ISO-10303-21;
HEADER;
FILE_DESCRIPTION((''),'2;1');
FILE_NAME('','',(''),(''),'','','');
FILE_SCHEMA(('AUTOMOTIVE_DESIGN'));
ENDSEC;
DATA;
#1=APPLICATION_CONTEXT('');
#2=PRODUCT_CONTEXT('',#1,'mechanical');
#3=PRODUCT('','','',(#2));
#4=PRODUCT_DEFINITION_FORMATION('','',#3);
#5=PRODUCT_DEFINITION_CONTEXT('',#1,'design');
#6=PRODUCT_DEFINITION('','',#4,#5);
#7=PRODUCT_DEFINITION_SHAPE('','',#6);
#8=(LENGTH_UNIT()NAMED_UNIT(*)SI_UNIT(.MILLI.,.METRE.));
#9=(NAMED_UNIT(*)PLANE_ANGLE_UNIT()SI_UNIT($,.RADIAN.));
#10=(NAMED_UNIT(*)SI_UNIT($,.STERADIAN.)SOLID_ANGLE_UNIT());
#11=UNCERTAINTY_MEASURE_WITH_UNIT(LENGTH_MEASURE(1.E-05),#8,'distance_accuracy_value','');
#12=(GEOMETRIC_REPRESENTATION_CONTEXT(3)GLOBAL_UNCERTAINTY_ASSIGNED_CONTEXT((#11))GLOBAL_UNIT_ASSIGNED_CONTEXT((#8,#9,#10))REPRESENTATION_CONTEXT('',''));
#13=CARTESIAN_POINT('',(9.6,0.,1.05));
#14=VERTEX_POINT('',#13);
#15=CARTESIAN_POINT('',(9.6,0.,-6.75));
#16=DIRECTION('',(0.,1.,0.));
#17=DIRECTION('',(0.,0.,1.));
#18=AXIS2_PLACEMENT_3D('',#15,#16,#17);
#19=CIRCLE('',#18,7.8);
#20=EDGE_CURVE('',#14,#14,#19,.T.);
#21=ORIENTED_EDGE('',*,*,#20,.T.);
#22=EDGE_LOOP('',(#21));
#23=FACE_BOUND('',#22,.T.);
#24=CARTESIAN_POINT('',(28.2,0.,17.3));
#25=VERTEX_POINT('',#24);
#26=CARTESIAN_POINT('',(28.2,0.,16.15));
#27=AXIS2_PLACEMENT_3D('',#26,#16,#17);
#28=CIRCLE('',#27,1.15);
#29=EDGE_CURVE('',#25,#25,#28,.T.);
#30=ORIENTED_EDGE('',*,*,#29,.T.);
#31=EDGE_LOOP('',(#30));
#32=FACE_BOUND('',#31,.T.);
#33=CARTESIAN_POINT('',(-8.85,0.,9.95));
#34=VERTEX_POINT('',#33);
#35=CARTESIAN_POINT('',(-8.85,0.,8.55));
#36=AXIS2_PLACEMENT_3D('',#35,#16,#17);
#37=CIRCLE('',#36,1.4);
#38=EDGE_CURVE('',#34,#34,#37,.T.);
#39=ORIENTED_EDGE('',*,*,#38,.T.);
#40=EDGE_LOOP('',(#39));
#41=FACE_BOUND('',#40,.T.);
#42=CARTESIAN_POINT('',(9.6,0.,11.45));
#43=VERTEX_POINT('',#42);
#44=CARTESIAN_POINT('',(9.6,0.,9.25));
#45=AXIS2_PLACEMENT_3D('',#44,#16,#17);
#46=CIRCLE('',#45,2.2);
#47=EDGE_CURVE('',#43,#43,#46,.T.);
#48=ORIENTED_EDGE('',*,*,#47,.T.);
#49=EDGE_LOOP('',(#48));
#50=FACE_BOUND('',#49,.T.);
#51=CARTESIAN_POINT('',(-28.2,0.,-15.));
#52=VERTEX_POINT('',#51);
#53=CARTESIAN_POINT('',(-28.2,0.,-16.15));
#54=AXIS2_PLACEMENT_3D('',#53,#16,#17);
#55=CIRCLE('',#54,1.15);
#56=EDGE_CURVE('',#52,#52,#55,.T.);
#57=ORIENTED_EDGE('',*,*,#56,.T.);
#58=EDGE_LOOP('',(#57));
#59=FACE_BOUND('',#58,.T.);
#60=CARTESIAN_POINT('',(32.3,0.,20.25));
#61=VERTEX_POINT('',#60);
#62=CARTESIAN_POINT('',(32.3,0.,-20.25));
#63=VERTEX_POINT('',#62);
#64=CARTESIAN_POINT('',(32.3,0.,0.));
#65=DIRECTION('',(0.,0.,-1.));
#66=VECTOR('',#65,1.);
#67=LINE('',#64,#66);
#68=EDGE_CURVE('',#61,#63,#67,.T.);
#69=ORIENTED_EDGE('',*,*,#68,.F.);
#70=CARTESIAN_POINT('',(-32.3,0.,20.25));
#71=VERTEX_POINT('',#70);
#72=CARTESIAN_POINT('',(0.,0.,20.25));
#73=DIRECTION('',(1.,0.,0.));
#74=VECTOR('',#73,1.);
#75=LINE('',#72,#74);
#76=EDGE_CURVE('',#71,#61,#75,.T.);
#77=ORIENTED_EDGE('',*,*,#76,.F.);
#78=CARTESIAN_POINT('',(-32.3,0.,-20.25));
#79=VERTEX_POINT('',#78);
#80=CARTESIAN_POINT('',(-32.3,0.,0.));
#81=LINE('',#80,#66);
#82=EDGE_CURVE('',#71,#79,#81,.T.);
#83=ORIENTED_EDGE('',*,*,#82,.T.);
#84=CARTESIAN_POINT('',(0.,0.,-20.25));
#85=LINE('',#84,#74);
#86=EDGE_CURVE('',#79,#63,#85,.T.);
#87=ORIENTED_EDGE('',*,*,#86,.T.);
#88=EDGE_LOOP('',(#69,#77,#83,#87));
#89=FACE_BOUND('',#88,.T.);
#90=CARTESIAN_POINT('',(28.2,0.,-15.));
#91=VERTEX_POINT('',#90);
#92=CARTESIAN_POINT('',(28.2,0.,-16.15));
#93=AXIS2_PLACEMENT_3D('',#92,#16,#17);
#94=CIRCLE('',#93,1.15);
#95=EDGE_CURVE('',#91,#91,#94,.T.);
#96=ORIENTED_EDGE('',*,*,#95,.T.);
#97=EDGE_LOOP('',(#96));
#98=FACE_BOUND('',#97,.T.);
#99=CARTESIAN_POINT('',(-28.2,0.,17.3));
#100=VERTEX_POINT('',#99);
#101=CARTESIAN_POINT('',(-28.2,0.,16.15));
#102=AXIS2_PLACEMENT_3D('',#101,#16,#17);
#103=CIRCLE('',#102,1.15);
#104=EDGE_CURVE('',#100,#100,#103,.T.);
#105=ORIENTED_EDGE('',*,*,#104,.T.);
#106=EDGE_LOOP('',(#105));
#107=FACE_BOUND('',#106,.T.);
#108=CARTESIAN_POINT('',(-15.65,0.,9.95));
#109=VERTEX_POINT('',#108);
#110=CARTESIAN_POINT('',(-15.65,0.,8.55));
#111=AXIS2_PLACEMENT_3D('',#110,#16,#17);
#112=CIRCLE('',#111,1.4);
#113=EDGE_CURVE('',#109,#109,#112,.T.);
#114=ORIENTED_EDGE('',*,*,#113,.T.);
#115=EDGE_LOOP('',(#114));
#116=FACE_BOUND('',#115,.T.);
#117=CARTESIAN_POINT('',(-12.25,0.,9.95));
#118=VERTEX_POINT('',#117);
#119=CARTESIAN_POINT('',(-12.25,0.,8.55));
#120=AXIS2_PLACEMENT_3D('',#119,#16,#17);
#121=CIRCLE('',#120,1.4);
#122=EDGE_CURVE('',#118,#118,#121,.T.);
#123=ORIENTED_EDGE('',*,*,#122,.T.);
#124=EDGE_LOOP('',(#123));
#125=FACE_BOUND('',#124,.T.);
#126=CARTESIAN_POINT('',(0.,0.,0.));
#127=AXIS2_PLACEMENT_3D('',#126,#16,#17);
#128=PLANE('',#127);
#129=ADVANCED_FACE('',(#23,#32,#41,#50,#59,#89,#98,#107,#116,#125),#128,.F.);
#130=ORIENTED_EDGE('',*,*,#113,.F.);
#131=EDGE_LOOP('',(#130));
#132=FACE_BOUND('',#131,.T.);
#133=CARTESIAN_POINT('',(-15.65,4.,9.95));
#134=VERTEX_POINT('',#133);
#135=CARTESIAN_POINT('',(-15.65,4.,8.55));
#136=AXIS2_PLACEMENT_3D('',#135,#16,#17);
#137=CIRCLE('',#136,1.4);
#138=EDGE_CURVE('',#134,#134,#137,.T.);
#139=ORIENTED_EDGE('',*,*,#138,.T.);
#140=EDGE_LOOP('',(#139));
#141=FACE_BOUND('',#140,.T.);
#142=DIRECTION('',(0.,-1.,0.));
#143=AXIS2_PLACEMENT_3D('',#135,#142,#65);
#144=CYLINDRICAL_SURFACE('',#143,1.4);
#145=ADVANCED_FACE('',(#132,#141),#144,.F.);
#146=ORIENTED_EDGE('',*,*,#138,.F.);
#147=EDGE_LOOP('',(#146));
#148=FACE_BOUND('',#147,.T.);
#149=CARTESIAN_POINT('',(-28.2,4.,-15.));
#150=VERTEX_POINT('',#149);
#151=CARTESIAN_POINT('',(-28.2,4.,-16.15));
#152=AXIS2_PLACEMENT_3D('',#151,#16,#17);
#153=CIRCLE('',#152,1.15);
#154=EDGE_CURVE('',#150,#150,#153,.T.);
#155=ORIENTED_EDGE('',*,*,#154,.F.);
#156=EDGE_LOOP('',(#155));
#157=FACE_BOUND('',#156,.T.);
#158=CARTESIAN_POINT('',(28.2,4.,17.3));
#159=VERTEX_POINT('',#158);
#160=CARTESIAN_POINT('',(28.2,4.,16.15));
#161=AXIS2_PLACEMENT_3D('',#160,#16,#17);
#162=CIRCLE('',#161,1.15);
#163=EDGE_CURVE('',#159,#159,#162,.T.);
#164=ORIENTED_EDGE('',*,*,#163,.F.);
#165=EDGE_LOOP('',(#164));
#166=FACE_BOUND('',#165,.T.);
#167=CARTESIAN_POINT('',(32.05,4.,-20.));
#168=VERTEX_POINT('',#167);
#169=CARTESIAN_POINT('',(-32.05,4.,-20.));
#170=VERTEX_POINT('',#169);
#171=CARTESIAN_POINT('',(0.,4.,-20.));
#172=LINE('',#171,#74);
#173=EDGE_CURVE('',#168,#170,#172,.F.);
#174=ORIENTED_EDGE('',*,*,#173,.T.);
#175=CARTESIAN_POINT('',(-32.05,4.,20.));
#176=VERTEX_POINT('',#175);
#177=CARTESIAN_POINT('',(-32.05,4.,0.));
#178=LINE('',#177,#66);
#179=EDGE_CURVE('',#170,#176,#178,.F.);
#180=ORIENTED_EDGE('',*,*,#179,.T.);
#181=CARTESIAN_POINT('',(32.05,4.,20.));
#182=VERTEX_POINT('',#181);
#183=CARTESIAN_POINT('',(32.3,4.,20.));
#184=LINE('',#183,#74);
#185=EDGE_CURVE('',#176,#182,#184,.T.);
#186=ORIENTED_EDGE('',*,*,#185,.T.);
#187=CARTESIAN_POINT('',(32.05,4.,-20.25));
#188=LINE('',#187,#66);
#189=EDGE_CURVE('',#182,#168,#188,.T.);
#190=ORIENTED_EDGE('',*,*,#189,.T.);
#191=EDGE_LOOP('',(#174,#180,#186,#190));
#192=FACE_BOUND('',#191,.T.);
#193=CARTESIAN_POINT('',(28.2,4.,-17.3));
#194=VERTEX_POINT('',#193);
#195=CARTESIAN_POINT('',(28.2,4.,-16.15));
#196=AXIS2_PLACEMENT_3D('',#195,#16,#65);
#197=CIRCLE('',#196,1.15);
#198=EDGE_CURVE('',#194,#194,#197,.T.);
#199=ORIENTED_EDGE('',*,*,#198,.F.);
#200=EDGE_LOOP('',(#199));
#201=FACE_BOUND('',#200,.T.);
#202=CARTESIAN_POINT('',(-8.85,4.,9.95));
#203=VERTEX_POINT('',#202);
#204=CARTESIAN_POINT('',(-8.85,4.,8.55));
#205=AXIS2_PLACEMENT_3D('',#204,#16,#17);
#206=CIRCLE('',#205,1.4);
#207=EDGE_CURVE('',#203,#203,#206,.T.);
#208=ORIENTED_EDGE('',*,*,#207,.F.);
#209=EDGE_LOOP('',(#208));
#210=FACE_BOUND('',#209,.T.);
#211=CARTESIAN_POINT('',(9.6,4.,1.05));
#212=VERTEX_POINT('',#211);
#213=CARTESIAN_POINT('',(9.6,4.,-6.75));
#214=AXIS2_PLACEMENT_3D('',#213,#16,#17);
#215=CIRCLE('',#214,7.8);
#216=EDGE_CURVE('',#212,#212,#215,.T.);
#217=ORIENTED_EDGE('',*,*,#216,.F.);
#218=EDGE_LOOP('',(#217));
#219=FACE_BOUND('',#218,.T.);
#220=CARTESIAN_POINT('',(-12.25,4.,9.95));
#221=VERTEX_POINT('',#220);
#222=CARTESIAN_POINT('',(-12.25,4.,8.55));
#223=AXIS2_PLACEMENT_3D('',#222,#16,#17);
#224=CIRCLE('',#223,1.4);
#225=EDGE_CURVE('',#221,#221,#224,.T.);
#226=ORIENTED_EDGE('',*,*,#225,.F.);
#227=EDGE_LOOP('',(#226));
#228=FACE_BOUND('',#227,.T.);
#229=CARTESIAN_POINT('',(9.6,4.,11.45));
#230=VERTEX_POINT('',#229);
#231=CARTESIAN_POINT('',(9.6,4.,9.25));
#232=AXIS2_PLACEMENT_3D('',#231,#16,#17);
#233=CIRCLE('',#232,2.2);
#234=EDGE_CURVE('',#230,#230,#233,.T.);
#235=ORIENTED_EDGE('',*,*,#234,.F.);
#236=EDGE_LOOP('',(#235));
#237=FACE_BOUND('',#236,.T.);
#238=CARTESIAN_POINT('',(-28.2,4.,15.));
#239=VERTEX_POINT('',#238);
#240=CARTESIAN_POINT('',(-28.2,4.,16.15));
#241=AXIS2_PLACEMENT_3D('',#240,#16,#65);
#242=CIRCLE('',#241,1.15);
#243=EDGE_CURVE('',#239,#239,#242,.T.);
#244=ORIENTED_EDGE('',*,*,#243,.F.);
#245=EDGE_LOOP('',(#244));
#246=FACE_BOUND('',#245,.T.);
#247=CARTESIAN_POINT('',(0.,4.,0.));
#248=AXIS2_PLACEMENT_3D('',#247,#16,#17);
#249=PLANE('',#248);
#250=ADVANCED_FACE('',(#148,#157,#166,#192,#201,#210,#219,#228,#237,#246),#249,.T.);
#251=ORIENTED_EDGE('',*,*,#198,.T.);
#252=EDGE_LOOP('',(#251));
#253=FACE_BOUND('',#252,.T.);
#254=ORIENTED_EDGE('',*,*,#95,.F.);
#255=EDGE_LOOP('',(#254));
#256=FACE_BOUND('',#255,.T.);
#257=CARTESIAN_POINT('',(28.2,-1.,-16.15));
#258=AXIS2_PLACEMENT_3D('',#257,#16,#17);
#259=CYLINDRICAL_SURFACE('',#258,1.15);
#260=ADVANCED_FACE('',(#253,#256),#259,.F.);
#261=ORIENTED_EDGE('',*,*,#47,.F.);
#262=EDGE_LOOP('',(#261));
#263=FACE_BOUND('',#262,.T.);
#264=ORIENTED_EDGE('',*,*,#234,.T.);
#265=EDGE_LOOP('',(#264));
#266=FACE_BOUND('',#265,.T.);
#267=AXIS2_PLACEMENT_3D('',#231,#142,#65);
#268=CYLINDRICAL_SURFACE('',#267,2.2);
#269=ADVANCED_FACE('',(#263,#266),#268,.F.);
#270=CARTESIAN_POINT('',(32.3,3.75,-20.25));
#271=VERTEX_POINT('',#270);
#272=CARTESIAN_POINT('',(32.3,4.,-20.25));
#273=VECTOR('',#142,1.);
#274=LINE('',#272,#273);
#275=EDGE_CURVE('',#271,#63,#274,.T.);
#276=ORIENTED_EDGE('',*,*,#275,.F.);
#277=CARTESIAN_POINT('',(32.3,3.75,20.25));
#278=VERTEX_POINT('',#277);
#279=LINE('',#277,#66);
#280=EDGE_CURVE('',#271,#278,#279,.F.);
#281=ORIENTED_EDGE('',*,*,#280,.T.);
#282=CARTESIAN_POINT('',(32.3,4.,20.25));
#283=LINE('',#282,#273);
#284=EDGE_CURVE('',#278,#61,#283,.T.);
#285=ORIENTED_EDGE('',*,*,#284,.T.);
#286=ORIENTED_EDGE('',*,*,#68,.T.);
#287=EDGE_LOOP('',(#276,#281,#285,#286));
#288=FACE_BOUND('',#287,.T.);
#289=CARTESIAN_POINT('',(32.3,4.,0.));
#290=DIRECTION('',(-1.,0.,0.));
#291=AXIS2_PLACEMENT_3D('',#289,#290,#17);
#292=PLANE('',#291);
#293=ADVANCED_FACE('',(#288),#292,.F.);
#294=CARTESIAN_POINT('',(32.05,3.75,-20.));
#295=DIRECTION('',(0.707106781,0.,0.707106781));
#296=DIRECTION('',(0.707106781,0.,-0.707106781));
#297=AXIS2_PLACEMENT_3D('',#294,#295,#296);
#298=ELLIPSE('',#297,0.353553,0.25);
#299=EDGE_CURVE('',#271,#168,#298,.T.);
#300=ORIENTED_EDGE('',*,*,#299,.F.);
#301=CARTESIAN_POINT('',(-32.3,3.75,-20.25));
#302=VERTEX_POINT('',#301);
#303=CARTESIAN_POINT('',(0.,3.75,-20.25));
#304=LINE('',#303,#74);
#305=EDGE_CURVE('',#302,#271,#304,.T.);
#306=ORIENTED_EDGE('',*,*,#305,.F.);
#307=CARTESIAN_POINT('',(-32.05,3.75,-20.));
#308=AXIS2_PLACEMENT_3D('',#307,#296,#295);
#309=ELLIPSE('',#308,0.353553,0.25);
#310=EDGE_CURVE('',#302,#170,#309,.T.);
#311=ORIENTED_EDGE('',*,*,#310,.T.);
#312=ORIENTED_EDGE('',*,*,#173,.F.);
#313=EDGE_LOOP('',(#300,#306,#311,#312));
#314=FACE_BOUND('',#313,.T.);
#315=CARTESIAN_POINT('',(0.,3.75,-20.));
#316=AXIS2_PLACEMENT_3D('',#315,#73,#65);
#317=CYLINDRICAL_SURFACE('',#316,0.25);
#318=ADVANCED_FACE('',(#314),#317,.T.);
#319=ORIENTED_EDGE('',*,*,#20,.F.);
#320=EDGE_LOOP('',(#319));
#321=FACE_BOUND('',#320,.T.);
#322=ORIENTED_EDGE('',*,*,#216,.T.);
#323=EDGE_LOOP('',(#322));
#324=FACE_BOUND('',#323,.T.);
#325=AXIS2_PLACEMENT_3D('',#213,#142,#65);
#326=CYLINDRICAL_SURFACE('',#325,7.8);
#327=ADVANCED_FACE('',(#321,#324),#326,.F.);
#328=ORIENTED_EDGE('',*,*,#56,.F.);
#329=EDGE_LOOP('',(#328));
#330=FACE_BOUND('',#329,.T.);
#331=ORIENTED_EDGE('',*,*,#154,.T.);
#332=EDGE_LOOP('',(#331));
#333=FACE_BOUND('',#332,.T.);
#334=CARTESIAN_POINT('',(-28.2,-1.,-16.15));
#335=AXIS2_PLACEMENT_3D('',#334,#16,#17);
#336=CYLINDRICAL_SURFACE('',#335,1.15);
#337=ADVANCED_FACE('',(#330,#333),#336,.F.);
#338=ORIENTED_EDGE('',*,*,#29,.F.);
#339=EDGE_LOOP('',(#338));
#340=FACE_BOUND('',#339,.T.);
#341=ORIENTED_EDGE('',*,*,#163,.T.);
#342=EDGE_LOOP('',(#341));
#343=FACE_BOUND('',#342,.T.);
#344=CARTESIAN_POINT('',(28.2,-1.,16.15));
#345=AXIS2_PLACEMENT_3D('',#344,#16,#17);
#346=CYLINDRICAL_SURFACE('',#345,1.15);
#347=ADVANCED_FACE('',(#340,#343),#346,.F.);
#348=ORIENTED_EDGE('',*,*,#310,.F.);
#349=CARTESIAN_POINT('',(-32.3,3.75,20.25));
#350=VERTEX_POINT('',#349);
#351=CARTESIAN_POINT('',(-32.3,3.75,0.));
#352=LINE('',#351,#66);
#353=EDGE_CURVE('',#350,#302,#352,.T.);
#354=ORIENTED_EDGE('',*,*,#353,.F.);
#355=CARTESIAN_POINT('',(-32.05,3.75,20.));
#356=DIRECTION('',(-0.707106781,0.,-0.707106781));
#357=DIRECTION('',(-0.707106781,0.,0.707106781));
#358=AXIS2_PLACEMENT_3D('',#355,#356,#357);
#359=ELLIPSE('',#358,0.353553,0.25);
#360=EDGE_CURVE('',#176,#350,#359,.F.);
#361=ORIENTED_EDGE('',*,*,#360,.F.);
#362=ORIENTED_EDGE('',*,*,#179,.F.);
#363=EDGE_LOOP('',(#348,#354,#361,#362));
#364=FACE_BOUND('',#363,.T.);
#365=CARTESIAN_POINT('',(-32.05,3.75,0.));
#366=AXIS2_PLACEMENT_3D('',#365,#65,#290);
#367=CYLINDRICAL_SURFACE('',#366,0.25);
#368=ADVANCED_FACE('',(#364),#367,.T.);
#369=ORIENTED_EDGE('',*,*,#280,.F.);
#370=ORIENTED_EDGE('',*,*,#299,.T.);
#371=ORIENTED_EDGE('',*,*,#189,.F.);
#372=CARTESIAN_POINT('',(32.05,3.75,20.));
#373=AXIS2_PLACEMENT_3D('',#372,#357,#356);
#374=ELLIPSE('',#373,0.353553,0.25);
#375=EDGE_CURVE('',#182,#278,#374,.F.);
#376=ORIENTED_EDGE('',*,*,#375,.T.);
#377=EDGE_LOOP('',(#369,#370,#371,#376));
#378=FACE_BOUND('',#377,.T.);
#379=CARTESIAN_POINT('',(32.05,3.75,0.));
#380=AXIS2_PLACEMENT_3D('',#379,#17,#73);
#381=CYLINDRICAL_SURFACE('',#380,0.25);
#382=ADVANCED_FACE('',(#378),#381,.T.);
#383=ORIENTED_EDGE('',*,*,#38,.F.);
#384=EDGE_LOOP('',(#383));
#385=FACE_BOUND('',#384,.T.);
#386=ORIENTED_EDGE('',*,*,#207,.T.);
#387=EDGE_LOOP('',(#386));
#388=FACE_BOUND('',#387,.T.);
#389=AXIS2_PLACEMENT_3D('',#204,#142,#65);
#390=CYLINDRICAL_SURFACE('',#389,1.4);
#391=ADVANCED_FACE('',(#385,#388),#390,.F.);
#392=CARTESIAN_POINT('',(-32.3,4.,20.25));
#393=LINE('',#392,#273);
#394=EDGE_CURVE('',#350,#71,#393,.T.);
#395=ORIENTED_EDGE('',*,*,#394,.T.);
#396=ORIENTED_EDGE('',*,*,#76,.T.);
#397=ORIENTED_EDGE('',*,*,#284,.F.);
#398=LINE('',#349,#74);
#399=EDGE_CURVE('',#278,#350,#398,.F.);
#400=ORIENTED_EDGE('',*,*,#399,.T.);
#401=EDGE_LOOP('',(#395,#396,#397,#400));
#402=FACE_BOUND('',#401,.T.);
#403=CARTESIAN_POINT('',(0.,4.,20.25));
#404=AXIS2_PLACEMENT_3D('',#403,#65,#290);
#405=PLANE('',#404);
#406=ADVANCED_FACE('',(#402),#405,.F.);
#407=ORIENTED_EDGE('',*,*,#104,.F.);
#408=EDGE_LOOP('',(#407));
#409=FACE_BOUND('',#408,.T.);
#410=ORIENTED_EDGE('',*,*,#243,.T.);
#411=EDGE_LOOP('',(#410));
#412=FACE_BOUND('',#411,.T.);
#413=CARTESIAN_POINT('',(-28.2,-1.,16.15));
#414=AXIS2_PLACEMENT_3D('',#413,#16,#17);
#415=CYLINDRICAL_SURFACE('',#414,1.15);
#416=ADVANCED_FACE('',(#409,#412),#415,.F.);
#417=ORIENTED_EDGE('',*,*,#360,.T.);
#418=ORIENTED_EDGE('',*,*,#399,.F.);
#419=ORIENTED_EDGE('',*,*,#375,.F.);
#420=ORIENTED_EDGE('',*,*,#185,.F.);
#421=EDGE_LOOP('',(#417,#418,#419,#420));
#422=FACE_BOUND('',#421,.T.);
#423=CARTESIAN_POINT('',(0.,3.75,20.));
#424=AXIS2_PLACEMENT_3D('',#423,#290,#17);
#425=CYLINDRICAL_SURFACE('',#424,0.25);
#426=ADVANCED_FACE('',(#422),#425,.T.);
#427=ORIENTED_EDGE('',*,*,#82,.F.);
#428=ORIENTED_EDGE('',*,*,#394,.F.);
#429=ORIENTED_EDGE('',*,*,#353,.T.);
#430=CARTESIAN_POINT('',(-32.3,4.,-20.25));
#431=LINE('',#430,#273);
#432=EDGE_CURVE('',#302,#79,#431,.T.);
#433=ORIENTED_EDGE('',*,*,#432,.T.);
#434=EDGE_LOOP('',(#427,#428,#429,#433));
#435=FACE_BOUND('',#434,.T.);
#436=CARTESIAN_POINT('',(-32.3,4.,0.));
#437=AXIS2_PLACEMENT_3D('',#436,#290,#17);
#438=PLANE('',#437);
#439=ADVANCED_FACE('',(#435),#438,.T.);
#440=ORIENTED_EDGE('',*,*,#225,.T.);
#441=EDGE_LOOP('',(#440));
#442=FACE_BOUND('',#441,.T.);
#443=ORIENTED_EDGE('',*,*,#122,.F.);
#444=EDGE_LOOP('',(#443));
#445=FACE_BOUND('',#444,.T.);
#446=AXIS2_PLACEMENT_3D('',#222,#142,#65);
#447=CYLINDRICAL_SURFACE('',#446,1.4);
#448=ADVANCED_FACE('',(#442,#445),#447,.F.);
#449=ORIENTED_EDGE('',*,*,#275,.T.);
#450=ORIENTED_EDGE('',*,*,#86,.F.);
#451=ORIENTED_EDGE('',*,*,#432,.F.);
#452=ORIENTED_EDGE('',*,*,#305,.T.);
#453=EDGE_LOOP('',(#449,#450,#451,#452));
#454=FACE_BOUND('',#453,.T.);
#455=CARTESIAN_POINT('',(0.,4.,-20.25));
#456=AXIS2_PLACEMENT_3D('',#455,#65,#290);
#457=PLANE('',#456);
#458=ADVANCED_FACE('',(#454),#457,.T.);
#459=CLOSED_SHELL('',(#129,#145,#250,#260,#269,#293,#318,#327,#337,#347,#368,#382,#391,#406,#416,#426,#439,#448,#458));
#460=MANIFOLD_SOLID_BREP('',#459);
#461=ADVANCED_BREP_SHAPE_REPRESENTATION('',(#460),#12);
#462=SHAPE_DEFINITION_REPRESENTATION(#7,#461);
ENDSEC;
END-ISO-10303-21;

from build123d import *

# Parameters (mm, degrees)
SKETCH1_W           = 64.6
SKETCH1_H           = 40.5
SKETCH1_R           = 7.8
SKETCH1_R_2         = 2.2
SKETCH1_R_3         = 1.4
BOSS_EXTRUDE3_DEPTH = 4
SKETCH6_R           = 1.15
CUT_EXTRUDE4_DEPTH  = 5
FILLET4_R           = 0.25


with BuildPart() as part:
    # Sketch1 → Boss-Extrude3 (new body)
    with BuildSketch(Plane(origin=(0, 0, 0), x_dir=(1, 0, 0), z_dir=(0, 1, 0))):
        Rectangle(SKETCH1_W, SKETCH1_H)
        with Locations(Location((9.6, 6.75, 0), (0, 0, 270))):
            Circle(SKETCH1_R, mode=Mode.SUBTRACT)
        with Locations(Location((9.6, -9.25, 0), (0, 0, 270))):
            Circle(SKETCH1_R_2, mode=Mode.SUBTRACT)
        with Locations(Location((-12.25, -8.55, 0), (0, 0, 270))):
            Circle(SKETCH1_R_3, mode=Mode.SUBTRACT)
        with Locations(Location((-8.85, -8.55, 0), (0, 0, 270))):
            Circle(SKETCH1_R_3, mode=Mode.SUBTRACT)
        with Locations(Location((-15.65, -8.55, 0), (0, 0, 270))):
            Circle(SKETCH1_R_3, mode=Mode.SUBTRACT)
    extrude(amount=BOSS_EXTRUDE3_DEPTH)

    # Sketch6 → Cut-Extrude4 (cut)
    with BuildSketch(Plane(origin=(0, 4, 0), x_dir=(1, 0, 0), z_dir=(0, 1, 0))):
        with Locations(Location((-28.2, 16.15, 0), (0, 0, 270))):
            Circle(SKETCH6_R)
        with Locations(Location((28.2, 16.15, 0), (0, 0, 270))):
            Circle(SKETCH6_R)
        with Locations(Location((28.2, -16.15, 0), (0, 0, 270))):
            Circle(SKETCH6_R)
        with Locations(Location((-28.2, -16.15, 0), (0, 0, 270))):
            Circle(SKETCH6_R)
    extrude(amount=-CUT_EXTRUDE4_DEPTH, mode=Mode.SUBTRACT)

    # Fillet4
    fillet4_edges = [part.edges().sort_by_distance(p)[0] for p in [
        (0, 4, 20.25),
        (32.3, 4, 0),
        (0, 4, -20.25),
        (-32.3, 4, 0),
    ]]
    fillet(fillet4_edges, radius=FILLET4_R)


solid = part.part
